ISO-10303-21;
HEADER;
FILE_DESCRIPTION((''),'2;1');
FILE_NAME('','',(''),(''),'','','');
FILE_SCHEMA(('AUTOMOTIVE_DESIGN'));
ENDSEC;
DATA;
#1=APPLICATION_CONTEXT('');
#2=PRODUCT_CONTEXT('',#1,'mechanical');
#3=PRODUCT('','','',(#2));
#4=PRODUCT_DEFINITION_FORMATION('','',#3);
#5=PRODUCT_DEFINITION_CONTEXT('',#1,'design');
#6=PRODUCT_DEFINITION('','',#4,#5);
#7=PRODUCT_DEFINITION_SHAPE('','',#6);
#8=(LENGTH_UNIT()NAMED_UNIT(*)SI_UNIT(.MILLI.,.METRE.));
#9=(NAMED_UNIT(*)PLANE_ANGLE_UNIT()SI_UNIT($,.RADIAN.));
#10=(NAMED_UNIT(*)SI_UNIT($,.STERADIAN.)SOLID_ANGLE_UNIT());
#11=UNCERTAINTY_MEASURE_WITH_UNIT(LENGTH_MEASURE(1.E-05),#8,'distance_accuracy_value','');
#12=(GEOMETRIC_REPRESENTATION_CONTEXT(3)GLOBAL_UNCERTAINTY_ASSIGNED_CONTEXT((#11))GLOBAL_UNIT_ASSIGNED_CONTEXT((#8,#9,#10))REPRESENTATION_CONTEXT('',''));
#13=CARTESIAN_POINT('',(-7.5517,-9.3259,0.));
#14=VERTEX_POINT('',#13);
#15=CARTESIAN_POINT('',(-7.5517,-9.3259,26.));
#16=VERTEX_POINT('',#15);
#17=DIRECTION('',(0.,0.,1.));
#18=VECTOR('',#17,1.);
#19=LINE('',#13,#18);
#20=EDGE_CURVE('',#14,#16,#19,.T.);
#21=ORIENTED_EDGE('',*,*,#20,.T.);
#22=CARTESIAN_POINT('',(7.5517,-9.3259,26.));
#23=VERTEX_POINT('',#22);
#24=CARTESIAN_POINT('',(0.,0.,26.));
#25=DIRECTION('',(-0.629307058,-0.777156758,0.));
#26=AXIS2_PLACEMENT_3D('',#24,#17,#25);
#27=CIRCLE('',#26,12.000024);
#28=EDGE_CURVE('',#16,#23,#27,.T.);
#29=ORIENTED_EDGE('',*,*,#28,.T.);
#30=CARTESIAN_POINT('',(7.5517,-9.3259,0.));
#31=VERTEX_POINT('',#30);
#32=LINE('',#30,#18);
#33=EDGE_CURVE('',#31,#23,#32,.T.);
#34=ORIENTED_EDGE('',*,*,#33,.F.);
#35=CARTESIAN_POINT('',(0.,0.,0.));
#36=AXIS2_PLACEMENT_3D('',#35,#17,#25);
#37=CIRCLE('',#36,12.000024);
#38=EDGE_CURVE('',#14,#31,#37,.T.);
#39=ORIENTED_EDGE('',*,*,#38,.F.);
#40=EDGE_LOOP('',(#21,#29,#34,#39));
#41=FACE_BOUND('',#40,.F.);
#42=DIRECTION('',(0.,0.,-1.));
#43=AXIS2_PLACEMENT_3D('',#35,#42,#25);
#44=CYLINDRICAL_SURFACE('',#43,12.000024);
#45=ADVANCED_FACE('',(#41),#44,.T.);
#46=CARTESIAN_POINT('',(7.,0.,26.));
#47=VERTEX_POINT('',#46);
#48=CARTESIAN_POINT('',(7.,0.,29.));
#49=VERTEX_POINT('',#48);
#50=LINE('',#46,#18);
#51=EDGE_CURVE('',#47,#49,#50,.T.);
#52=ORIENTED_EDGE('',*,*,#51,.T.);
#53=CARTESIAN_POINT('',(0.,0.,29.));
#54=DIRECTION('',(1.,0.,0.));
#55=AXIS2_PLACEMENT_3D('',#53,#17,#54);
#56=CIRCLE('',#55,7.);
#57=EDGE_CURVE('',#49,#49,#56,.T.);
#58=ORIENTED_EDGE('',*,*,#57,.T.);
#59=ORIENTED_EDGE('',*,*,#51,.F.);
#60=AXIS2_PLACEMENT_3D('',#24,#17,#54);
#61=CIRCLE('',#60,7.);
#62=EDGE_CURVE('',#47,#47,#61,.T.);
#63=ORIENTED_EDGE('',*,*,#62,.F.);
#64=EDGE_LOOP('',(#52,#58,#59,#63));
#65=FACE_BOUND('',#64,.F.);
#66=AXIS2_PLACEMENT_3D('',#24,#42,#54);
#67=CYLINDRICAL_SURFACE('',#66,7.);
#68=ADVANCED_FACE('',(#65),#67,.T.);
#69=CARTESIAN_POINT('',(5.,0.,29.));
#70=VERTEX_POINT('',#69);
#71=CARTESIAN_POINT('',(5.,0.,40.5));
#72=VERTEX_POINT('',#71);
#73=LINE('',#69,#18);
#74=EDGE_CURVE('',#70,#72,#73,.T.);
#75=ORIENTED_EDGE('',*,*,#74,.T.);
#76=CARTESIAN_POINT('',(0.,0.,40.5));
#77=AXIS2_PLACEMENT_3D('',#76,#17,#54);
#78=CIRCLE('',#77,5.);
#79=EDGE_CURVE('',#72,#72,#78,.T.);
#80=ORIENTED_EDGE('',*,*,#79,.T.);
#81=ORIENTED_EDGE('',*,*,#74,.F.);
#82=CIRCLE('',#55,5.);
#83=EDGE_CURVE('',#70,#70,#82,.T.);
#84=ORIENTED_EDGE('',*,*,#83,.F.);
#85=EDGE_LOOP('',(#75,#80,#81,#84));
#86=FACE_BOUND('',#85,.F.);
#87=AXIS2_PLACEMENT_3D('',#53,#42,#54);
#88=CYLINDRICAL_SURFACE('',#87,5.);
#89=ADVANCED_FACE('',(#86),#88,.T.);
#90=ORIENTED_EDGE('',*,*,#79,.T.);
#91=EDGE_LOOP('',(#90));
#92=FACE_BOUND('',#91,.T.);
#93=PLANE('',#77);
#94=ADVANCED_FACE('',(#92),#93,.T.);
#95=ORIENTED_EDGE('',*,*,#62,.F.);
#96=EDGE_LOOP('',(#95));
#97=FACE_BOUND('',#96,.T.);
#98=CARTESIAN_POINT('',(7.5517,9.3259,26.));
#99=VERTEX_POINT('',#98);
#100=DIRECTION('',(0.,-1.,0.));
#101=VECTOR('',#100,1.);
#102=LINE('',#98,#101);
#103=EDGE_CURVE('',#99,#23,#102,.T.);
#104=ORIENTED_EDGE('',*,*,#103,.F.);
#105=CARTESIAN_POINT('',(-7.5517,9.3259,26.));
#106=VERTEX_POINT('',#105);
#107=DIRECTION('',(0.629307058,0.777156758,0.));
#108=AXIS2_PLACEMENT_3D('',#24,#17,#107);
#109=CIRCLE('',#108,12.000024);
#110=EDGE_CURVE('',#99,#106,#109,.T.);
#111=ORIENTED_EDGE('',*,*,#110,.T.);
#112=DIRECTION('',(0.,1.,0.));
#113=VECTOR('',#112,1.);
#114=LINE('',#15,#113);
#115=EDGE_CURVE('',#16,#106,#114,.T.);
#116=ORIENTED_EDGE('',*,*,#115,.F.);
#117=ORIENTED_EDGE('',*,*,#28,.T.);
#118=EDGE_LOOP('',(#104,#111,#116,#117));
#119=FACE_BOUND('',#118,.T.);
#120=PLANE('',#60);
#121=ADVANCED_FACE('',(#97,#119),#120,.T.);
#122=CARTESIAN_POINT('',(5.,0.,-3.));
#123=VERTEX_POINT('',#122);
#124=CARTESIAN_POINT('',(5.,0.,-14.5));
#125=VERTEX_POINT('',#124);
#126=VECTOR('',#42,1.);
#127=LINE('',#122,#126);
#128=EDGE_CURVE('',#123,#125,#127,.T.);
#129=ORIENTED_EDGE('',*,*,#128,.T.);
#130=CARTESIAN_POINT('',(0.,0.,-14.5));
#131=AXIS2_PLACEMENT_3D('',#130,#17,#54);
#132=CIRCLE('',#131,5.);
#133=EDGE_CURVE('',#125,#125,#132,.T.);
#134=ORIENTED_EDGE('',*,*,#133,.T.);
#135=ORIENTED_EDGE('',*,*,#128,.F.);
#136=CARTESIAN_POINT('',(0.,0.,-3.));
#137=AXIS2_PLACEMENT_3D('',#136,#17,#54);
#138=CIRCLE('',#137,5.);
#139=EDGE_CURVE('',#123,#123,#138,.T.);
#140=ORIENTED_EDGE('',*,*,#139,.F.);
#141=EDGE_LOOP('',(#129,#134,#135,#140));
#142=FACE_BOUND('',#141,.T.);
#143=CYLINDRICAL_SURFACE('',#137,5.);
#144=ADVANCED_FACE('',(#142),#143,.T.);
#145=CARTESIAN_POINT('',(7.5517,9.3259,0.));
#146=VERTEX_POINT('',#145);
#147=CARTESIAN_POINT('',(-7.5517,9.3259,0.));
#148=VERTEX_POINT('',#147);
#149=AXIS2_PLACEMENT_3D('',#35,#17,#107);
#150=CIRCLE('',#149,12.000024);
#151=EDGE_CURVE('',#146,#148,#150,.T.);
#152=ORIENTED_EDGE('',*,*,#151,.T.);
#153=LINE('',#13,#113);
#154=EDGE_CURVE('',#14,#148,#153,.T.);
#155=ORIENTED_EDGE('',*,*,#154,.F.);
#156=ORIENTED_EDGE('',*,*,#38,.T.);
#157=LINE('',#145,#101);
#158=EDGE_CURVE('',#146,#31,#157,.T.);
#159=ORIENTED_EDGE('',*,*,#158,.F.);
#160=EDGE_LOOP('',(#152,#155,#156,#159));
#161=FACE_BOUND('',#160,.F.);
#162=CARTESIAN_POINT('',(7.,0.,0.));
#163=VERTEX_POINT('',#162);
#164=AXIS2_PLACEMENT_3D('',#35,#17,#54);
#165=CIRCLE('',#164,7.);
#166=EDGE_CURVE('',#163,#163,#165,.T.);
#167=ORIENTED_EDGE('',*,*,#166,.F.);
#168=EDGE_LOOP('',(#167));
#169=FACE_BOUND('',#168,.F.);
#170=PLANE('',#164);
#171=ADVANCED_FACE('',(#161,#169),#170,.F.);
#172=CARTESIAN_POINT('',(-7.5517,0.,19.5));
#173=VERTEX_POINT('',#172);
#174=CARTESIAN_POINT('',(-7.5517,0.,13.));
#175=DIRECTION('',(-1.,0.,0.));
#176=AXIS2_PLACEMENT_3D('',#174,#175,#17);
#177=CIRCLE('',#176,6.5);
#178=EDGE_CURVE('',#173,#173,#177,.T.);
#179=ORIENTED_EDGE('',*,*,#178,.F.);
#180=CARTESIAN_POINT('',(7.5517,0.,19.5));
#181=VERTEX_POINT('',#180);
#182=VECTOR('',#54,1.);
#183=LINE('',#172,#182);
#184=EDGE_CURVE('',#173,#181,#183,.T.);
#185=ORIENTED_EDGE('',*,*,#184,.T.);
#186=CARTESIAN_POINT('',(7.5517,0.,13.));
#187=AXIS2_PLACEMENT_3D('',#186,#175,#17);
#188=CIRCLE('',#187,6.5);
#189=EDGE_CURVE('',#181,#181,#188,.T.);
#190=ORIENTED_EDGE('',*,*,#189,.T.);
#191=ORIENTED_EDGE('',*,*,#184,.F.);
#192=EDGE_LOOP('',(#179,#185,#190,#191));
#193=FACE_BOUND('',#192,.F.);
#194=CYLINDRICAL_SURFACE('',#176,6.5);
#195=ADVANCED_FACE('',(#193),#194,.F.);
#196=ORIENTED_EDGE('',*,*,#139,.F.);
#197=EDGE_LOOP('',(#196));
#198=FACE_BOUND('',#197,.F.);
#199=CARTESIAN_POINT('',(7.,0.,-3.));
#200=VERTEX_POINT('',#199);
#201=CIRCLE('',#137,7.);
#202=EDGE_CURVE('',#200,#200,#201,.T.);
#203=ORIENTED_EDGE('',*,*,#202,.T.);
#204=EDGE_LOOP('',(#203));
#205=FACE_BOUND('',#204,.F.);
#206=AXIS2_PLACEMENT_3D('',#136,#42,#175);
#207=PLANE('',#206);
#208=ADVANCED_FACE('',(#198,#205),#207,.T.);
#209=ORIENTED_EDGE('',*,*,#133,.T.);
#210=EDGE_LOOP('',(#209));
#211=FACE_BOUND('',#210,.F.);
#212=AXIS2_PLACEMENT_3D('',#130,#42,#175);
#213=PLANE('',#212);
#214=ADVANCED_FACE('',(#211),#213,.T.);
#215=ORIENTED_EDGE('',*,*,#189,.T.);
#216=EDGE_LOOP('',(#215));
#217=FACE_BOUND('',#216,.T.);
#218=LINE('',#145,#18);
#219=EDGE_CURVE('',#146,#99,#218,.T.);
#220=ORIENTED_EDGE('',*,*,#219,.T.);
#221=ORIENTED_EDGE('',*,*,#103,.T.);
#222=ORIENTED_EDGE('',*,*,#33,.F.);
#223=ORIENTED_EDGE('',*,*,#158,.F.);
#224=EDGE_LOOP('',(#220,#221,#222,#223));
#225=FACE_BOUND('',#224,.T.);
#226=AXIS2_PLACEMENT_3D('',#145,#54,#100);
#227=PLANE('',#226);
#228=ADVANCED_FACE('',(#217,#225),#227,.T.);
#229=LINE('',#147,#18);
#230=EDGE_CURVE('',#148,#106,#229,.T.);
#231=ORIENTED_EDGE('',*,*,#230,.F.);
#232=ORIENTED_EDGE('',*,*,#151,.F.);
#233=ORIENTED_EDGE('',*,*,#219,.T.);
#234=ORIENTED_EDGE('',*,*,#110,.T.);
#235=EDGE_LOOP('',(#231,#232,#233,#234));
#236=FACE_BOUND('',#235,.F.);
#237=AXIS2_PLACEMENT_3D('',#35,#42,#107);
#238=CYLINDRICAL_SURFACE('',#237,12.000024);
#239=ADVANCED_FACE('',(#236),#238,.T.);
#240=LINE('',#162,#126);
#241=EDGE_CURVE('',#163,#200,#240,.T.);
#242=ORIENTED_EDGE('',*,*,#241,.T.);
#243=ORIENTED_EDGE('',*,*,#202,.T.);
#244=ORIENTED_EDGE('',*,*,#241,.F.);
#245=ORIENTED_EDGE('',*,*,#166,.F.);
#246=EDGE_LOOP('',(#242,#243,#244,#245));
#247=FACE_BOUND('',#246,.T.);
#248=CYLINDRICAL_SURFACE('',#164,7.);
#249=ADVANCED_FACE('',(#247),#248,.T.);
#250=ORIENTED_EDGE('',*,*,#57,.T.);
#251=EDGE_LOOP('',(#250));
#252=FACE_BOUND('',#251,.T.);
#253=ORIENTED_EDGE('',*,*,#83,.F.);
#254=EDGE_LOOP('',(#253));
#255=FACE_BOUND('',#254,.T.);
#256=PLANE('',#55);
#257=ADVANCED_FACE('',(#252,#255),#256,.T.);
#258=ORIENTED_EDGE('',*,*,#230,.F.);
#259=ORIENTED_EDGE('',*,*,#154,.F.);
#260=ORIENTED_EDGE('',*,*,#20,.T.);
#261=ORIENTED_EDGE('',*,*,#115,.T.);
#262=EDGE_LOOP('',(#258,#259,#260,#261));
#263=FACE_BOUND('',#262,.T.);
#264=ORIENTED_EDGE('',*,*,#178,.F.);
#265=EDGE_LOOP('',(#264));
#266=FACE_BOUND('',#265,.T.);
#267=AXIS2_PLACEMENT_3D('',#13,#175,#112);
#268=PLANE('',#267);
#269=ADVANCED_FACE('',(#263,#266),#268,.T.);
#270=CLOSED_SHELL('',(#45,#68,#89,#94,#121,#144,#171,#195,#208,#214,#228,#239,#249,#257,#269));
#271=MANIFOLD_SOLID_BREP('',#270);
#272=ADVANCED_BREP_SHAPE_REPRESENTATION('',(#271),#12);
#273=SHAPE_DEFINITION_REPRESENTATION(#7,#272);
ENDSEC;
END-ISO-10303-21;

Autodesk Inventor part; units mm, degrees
ref_plane "YZ Plane" through (0, 0, 0) normal (1, 0, 0) x (0, 1, 0)
ref_plane "XZ Plane" through (0, 0, 0) normal (0, 1, 0) x (-1, 0, 0)
sketch "Sketch1" plane through (0, 0, 0) normal (0, 0, 1) x (1, 0, 0)
  line L0 (7.5517, 9.3259) -> (7.5517, -9.3259)
  line L1 (-7.5517, -9.3259) -> (-7.5517, 9.3259)
  line L2 (-7.5517, 9.3259) -> (7.5517, -9.3259) construction
  line L3 (7.5517, 9.3259) -> (-7.5517, -9.3259) construction
  arc A0 (-7.5517, -9.3259) -> (7.5517, -9.3259) centre (0, 0) ccw
  arc A1 (7.5517, 9.3259) -> (-7.5517, 9.3259) centre (0, 0) ccw
extrude "Extrusion1" add sketch "Sketch1" along normal blind 26
sketch "Sketch2" plane through (0, 0, 26) normal (0, 0, 1) x (1, 0, 0)
  circle A0 centre (0, 0) radius 7
  dimension "d3" = 14
extrude "Extrusion2" add sketch "Sketch2" along normal blind 3
sketch "Sketch3" plane through (0, 0, 29) normal (0, 0, 1) x (1, 0, 0)
  circle A0 centre (0, 0) radius 5
  dimension "d6" = 10
extrude "Extrusion3" add sketch "Sketch3" along normal blind 11.5
ref_plane "Work Plane1" through (0, 0, 13) normal (0, 0, 1) x (1, 0, 0)
mirror "Mirror1" about plane through (0, 0, 13) normal (0, 0, 1) of "Extrusion3", "Extrusion2"
sketch "Sketch4" plane through (-7.5517, -9.3259, 0) normal (-1, 0, 0) x (0, 0, 1)
  circle A0 centre (13, 9.3259) radius 6.5
  point P0 (0, 9.3259)
  dimension "d9" = 13
extrude "Extrusion4" cut sketch "Sketch4" against normal blind 100
thread "Thread1" size "M10x1.5" class "6g" standard "ANSI Metric M Profile" length 13
thread "Thread2" size "M10x1.5" class "6g" standard "ISO Metric profile" length 13
